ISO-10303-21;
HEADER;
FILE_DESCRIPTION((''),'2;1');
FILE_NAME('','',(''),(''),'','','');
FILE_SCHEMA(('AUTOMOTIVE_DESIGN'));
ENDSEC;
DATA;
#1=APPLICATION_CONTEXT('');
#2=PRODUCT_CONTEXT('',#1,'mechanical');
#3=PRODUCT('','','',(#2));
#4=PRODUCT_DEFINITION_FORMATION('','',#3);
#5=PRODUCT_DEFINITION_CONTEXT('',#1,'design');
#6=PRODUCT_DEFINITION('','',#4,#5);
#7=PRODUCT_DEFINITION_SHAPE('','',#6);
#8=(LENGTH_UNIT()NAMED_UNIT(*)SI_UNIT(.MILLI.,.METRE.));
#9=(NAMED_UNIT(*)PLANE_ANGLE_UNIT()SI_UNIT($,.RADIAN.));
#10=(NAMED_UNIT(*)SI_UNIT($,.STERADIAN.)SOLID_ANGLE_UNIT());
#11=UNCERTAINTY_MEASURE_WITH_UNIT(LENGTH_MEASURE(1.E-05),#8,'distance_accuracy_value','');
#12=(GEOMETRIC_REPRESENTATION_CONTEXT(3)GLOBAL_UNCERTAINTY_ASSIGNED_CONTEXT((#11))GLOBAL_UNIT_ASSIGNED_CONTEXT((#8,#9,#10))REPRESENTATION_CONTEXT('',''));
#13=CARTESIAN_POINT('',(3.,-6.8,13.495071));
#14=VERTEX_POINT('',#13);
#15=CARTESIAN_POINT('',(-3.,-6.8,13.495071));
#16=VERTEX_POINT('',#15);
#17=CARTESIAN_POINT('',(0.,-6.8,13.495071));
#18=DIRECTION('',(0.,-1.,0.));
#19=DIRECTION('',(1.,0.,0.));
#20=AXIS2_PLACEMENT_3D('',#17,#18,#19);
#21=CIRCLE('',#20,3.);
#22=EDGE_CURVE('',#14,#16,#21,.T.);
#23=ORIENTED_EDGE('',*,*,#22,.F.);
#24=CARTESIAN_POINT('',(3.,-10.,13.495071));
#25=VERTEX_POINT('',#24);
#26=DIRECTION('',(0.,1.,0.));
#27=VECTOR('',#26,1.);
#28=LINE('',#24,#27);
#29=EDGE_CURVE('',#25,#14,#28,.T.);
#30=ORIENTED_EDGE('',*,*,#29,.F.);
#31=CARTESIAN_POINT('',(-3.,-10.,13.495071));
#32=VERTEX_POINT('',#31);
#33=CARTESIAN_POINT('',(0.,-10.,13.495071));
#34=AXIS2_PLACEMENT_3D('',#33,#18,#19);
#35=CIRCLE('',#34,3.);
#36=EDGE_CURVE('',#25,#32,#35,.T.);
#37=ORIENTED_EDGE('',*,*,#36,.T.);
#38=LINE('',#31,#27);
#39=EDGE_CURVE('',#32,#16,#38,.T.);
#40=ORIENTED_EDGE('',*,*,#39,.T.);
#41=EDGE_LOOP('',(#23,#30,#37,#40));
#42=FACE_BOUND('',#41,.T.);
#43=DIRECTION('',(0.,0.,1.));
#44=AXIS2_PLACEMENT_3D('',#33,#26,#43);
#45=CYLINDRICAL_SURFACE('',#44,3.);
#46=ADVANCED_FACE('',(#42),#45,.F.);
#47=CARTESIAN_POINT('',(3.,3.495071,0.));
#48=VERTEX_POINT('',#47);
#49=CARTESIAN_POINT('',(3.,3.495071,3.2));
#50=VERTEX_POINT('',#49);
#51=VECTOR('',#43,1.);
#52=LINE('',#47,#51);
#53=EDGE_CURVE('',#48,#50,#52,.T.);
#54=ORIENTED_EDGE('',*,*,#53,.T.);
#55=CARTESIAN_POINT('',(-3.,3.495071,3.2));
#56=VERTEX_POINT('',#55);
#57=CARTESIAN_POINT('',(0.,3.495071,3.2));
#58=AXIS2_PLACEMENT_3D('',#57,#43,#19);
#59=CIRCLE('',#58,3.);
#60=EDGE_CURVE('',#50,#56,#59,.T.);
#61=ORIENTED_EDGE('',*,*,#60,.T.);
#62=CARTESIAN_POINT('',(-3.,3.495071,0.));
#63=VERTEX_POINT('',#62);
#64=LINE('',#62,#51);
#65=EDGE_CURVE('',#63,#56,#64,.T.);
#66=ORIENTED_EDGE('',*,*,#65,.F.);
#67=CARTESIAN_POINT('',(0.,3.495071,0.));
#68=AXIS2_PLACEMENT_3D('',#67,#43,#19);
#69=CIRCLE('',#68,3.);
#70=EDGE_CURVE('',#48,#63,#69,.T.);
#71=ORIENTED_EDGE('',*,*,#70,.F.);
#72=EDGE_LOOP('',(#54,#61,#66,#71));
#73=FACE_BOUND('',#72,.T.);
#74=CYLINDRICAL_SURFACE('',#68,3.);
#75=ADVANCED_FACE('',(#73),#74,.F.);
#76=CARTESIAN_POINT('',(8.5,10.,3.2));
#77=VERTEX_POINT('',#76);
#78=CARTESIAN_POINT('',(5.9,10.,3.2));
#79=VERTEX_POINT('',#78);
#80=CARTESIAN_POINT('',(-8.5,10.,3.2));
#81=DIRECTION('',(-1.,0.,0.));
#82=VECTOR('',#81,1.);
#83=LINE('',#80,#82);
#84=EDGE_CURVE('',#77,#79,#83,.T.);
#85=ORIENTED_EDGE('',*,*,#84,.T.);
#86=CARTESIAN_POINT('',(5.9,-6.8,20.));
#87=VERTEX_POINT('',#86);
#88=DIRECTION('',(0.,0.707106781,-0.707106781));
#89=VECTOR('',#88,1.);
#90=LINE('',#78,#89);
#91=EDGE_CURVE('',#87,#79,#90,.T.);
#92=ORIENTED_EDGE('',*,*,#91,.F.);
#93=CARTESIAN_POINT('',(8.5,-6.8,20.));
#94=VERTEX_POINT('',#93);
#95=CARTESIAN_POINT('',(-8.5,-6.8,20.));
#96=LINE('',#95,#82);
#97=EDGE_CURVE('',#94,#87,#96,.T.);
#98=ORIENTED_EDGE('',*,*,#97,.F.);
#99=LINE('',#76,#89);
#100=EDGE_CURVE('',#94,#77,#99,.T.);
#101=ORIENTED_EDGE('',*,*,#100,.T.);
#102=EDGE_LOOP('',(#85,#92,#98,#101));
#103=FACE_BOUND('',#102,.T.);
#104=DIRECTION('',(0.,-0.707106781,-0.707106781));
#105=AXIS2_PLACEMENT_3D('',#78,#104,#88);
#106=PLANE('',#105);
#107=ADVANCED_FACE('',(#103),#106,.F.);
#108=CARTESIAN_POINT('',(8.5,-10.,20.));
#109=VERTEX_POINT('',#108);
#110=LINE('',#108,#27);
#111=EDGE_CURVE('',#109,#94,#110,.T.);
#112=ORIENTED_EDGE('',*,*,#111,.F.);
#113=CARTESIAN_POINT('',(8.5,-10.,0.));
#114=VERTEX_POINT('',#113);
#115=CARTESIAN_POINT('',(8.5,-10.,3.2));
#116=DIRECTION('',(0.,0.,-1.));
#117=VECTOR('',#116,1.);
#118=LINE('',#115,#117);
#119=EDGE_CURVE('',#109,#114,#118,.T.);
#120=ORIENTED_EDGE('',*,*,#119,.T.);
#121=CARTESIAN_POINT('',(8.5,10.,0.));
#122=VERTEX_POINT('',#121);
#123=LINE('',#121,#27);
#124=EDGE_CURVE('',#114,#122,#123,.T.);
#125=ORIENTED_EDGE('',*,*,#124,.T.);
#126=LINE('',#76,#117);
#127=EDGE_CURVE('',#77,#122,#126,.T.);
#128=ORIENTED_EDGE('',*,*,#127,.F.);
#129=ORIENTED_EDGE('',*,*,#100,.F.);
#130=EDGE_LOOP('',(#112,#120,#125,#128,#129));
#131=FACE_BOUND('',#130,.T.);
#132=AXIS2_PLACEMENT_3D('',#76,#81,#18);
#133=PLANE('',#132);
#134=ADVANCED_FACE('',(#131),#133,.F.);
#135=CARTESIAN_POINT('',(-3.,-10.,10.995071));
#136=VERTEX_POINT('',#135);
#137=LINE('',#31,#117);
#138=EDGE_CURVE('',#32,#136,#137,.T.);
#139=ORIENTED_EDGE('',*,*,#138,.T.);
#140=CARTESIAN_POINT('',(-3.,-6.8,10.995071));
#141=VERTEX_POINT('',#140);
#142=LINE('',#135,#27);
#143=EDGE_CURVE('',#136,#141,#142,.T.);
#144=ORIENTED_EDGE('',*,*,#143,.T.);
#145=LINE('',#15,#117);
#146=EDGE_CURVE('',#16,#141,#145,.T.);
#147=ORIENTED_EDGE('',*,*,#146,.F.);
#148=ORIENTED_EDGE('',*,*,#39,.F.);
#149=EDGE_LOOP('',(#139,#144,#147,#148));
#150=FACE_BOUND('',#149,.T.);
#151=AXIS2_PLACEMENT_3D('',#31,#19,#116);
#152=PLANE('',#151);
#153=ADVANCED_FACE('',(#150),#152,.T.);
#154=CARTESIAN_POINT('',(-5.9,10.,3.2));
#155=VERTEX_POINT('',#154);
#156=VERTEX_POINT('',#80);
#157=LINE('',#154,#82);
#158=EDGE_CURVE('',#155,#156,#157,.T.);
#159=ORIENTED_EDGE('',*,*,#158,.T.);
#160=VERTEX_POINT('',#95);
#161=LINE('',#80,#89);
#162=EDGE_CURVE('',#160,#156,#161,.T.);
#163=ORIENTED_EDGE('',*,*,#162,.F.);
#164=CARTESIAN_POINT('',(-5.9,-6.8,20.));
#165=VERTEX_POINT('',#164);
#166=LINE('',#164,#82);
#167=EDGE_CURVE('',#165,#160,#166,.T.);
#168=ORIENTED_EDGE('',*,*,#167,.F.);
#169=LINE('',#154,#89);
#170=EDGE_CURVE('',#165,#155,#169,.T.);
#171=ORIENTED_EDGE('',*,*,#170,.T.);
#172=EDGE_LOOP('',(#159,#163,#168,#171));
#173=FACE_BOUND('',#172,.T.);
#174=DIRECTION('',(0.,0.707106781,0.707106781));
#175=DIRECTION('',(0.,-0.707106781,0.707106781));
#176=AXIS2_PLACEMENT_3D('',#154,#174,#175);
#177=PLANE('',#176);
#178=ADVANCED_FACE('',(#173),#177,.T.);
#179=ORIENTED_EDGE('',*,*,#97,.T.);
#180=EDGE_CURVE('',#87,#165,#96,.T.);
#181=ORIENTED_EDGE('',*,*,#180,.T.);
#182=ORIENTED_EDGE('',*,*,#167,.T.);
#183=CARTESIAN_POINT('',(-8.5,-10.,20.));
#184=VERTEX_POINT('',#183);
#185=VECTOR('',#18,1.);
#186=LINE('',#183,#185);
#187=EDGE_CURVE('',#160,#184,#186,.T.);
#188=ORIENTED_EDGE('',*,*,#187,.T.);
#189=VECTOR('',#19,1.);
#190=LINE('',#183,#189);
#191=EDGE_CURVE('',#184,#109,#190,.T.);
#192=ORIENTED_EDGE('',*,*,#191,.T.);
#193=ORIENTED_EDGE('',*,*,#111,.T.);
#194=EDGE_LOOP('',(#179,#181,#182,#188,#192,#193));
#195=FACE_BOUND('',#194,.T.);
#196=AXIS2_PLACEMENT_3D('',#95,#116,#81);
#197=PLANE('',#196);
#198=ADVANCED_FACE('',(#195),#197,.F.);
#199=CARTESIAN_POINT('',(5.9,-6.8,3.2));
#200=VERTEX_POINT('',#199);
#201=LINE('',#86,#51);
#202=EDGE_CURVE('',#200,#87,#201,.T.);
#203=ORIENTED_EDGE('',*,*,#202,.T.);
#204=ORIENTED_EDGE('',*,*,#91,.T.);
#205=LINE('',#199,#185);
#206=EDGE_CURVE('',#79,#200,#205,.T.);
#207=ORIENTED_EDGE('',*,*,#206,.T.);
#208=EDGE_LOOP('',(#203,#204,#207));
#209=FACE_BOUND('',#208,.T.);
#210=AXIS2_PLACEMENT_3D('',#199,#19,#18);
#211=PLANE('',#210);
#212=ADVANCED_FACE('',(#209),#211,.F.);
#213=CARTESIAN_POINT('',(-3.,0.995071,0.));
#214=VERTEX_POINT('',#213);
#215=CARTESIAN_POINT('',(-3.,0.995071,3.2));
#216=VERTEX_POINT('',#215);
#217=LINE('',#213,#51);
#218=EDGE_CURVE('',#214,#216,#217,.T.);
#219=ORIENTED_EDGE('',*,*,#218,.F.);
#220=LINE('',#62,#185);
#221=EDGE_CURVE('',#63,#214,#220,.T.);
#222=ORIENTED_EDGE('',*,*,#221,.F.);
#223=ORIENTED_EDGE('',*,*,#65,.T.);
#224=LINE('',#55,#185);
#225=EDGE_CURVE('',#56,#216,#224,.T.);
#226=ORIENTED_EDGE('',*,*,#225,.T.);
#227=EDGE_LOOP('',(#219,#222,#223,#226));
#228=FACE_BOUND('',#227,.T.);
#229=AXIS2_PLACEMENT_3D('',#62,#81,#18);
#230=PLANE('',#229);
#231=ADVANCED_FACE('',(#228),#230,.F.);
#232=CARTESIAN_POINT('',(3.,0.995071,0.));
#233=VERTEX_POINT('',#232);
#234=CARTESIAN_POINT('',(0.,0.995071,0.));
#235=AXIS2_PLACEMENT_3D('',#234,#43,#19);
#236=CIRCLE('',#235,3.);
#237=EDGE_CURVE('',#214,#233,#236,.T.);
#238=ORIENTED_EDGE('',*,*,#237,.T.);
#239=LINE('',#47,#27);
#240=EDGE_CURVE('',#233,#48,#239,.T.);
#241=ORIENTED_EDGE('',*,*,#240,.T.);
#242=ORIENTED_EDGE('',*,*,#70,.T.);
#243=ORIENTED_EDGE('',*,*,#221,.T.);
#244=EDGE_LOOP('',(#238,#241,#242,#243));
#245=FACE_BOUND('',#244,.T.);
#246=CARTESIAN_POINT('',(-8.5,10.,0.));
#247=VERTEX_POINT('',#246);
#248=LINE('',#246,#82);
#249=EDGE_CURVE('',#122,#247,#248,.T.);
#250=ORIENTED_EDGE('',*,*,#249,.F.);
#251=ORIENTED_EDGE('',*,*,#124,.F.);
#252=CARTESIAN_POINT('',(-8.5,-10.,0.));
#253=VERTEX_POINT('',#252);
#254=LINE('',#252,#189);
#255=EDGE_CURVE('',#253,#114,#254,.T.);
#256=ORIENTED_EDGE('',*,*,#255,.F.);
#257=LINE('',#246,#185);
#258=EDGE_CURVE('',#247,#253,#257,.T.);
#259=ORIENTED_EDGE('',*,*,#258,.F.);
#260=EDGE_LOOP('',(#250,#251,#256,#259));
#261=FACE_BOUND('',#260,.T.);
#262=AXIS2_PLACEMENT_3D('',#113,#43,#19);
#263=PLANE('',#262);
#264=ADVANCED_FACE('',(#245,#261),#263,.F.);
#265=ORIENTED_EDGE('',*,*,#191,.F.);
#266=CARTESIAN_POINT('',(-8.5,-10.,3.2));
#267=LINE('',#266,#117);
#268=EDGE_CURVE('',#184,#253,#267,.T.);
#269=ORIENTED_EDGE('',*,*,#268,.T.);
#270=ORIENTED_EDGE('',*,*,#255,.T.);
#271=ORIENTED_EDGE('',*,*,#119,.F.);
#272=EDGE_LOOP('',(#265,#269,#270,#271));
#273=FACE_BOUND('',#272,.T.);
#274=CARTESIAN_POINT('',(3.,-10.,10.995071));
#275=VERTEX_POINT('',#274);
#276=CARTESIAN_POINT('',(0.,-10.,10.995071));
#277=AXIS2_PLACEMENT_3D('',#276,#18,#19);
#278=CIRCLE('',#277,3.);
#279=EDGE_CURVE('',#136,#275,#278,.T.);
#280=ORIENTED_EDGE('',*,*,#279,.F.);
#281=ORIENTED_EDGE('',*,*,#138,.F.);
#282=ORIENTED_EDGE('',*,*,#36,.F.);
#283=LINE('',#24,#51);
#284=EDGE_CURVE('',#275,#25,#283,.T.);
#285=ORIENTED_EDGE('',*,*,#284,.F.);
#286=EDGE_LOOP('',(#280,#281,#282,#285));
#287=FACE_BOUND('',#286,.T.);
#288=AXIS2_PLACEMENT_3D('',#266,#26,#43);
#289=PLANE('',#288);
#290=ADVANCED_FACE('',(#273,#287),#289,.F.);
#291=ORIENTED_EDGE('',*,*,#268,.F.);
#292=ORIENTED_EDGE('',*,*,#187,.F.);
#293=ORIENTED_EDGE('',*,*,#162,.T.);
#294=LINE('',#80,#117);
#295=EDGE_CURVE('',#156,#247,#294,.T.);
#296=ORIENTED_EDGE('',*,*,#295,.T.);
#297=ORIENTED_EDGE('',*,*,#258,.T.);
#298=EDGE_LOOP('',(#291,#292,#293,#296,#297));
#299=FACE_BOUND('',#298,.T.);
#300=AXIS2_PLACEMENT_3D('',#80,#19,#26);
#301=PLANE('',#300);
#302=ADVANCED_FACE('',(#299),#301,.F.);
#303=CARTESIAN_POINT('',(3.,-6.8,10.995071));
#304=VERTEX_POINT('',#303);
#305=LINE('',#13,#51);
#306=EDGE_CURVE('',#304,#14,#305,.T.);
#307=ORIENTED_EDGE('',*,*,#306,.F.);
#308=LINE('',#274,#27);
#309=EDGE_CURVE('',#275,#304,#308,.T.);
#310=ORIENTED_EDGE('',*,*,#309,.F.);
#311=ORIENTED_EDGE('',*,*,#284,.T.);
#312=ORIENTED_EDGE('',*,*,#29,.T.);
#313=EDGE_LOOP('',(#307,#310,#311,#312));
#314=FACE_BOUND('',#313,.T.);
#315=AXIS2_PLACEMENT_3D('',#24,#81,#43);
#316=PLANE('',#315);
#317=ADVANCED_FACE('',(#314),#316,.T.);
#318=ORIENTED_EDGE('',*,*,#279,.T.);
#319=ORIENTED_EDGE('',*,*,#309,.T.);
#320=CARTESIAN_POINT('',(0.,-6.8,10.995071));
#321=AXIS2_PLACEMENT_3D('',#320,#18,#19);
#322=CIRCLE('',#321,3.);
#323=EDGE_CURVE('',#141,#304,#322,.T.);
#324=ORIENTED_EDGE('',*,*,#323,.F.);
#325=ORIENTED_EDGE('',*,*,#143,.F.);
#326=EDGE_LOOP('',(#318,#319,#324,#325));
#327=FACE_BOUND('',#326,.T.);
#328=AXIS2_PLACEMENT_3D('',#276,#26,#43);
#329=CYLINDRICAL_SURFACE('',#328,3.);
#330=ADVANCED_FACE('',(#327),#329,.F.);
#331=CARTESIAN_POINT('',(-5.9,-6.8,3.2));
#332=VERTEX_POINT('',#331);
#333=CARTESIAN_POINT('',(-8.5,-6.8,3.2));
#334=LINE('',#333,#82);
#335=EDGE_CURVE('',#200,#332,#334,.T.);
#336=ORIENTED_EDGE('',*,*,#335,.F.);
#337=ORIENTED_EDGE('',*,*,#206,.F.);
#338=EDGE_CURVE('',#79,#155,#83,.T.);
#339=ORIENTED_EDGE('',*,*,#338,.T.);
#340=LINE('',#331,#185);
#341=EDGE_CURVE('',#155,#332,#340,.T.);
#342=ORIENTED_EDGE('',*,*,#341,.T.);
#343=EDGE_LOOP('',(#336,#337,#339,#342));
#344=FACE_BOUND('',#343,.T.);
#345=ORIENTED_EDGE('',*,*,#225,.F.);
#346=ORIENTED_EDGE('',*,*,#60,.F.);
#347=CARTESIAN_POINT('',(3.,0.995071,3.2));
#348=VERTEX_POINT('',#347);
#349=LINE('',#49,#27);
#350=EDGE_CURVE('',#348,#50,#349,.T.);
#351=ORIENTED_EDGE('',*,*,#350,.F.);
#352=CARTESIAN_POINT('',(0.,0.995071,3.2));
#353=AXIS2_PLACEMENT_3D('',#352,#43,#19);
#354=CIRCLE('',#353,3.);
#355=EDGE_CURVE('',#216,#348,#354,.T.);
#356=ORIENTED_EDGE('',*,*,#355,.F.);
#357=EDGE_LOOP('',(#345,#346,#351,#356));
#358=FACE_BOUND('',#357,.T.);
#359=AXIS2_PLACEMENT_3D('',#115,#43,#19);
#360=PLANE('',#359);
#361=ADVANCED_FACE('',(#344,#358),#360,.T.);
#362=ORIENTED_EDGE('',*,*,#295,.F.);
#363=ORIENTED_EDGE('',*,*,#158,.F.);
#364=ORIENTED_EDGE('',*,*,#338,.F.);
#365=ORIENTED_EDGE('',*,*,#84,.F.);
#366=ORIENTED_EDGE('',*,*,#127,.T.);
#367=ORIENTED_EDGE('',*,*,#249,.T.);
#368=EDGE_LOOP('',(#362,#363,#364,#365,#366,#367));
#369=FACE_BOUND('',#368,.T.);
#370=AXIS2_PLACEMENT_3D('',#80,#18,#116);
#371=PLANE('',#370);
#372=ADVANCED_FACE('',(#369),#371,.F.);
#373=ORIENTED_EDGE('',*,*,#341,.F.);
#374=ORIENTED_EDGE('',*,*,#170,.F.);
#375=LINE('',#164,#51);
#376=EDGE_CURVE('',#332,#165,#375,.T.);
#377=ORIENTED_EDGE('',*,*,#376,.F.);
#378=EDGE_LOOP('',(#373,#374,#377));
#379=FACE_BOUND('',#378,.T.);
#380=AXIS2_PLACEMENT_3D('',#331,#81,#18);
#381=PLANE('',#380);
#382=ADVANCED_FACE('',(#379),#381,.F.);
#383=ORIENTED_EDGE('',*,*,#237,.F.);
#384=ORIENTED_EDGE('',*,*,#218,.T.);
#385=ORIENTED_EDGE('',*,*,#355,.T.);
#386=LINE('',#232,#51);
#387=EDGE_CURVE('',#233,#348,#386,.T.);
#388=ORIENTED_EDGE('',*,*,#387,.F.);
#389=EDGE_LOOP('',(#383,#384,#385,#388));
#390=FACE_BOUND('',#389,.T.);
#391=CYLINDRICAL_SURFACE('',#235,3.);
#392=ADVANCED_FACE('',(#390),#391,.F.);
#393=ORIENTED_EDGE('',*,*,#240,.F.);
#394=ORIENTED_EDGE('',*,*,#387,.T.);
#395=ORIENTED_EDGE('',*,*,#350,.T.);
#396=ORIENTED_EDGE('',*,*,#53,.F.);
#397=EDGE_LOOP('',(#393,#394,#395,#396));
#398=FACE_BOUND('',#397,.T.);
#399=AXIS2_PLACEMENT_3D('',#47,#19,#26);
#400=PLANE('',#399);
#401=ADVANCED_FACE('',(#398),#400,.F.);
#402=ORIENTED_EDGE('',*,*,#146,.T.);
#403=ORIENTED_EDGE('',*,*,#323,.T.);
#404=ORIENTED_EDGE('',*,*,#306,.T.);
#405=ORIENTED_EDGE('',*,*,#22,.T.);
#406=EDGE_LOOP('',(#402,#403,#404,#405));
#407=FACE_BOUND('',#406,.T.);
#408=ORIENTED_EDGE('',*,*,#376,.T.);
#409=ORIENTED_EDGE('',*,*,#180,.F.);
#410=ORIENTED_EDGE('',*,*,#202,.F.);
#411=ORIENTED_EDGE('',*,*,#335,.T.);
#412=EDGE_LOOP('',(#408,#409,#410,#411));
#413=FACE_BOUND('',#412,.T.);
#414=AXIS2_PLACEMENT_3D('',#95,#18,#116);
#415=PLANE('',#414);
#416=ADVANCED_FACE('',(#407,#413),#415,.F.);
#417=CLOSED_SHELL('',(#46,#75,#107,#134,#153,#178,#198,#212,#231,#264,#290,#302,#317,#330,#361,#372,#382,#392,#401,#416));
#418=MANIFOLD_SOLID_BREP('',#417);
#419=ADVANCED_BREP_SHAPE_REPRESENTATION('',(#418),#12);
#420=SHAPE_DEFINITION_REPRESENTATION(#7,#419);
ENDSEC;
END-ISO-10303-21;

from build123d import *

# Parameters (mm, degrees)
SKETCH_1_W          = 17
SKETCH_1_H          = 20
EXTRUDE_1_DEPTH     = 3.2
SKETCH_2_W          = 17
SKETCH_2_H          = 3.2
EXTRUDE_2_DEPTH     = 16.8
EXTRUDE_3_DEPTH     = 2.6
CUT_EXTRUDE_1_DEPTH = 22.318771072


with BuildPart() as part:
    # 草图1 → 凸台-拉伸1 (new body)
    with BuildSketch(Plane.XY):
        Rectangle(SKETCH_1_W, SKETCH_1_H)
    extrude(amount=EXTRUDE_1_DEPTH)

    # 草图2 → 凸台-拉伸2 (add)
    with BuildSketch(Plane.XY.offset(3.2)):
        with Locations((0, -8.4)):
            Rectangle(SKETCH_2_W, SKETCH_2_H)
    extrude(amount=EXTRUDE_2_DEPTH)

    # 草图3 → 凸台-拉伸3 (add)
    with BuildSketch(Plane.ZY.offset(8.5)):
        Polygon((3.2, 10), (20, -6.8), (3.2, -6.8), align=None)
    extrude_3 = extrude(amount=-EXTRUDE_3_DEPTH)

    # 镜向1: 凸台-拉伸3 across plane
    add(extrude_3.mirror(Plane(origin=(0, 0, 0), x_dir=(0, 0, 1), z_dir=(1, 0, 0))))

    # 草图4 → 切除-拉伸1 (cut, through all)
    with BuildSketch(Plane.XY.offset(3.2)):
        with BuildLine():
            Line((3, 3.495071076), (3, 0.995071076))
            ThreePointArc((3, 0.995071076), (0, -2.004928924), (-3, 0.995071076))
            Line((-3, 0.995071076), (-3, 3.495071076))
            ThreePointArc((-3, 3.495071076), (0, 6.495071076), (3, 3.495071076))
        make_face()
    cut_extrude_1 = extrude(amount=-CUT_EXTRUDE_1_DEPTH, mode=Mode.SUBTRACT)

    # 镜向2: 切除-拉伸1 across plane
    add(cut_extrude_1.mirror(Plane(origin=(0, -5, 5), x_dir=(0, 0.7071067811865479, 0.7071067811865472), z_dir=(0, -0.7071067811865474, 0.7071067811865478))), mode=Mode.SUBTRACT)


solid = part.part
